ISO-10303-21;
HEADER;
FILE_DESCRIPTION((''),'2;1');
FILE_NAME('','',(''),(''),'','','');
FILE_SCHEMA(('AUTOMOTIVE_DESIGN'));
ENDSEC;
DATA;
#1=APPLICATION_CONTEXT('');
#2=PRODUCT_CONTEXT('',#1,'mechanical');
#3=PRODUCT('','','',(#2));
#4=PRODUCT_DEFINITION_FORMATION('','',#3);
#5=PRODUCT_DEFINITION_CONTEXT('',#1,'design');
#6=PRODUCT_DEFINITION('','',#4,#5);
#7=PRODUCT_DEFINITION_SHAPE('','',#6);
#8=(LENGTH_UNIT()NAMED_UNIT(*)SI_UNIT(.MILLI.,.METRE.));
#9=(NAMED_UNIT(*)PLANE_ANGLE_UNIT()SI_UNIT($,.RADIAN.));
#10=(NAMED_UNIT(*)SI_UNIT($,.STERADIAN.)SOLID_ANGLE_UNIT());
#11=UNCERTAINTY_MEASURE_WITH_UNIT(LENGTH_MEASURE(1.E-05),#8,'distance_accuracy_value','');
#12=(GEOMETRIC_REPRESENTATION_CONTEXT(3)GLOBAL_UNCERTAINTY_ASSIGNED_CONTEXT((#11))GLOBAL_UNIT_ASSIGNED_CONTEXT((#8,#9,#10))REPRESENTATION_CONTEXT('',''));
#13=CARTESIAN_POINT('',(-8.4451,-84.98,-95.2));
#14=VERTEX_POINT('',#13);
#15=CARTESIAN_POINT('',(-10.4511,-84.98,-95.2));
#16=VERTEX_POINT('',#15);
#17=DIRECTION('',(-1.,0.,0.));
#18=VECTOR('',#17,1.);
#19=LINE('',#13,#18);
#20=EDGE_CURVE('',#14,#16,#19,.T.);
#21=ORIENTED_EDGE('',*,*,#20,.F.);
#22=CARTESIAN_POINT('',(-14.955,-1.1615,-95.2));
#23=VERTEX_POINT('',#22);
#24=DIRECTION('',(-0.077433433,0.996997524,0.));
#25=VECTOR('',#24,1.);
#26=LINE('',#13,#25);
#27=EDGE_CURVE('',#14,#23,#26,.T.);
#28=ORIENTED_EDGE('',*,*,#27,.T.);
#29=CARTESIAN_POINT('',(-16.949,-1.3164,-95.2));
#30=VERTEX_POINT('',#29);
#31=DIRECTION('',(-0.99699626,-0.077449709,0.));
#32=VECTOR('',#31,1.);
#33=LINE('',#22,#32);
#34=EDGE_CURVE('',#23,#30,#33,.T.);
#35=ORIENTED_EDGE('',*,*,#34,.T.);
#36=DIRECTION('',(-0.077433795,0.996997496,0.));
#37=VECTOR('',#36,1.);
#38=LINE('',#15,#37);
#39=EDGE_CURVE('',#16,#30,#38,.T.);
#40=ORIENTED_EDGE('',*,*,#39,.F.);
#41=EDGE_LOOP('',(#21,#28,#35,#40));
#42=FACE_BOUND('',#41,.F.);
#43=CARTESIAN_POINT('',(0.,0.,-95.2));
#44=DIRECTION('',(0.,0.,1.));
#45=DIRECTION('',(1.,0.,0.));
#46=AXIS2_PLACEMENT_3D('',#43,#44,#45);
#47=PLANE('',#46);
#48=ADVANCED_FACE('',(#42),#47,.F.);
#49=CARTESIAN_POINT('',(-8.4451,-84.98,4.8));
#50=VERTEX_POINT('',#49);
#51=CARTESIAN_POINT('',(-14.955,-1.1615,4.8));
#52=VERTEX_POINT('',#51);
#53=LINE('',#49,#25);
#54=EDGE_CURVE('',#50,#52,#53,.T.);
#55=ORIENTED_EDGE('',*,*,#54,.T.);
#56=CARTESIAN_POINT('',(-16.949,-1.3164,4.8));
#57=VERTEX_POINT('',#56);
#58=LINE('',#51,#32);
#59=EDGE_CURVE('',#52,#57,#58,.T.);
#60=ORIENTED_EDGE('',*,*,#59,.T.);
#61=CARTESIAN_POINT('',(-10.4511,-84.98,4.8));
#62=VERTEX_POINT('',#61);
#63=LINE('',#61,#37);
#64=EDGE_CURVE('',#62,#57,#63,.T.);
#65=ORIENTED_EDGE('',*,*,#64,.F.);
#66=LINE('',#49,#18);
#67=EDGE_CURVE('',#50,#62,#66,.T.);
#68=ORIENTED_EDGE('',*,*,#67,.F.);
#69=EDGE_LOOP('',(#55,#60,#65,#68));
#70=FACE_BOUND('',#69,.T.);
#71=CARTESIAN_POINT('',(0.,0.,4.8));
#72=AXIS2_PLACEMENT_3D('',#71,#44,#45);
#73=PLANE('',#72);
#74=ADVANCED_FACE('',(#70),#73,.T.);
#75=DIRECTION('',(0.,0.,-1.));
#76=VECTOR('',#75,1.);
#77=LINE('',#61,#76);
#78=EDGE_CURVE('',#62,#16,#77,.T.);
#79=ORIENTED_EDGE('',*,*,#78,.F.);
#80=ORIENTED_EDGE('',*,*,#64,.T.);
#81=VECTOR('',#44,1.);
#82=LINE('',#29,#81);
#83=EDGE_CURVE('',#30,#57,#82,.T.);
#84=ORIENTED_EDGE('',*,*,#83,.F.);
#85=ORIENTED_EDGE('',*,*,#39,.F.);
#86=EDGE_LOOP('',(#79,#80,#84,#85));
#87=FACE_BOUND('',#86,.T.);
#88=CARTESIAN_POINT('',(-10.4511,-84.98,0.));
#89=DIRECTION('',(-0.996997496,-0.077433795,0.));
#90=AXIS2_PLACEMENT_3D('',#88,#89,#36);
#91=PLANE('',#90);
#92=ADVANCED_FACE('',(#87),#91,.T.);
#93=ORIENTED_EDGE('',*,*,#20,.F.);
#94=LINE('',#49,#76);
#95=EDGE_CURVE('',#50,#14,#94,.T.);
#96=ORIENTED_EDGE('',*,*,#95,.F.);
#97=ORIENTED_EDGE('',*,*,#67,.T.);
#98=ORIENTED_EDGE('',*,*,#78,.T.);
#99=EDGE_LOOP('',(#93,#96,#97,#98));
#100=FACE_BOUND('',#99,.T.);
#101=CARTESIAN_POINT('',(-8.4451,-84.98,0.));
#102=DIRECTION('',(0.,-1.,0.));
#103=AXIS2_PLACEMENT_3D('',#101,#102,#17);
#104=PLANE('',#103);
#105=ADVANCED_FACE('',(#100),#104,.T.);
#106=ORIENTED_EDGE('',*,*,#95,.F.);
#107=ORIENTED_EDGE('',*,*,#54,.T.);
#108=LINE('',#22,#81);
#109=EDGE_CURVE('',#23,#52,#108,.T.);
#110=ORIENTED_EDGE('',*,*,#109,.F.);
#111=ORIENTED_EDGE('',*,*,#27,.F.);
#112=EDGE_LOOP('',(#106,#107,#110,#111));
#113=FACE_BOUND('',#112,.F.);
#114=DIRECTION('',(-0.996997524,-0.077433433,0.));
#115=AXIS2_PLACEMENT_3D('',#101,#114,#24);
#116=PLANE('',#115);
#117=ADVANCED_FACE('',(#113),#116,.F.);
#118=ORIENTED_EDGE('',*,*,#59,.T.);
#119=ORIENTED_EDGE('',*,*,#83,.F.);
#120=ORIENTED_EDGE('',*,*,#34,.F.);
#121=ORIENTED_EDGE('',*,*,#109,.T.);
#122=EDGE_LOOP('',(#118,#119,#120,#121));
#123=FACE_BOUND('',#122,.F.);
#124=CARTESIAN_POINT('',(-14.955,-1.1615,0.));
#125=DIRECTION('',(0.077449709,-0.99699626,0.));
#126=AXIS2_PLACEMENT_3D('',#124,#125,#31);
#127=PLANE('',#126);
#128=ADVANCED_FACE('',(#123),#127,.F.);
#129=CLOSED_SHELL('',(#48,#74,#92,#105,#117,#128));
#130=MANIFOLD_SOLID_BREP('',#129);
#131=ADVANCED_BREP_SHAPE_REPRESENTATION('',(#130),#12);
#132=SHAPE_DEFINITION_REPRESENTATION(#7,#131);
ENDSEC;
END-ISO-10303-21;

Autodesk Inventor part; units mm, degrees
ref_plane "YZ Plane" through (0, 0, 0) normal (1, 0, 0) x (0, 1, 0)
ref_plane "XZ Plane" through (0, 0, 0) normal (0, 1, 0) x (-1, 0, 0)
ref_plane "XY Plane" through (0, 0, 0) normal (0, 0, 1) x (1, 0, 0)
sketch "Szkic1" plane through (0, 0, 0) normal (0, 0, 1) x (1, 0, 0)
  circle A0 centre (0, 0) radius 15 projected
  line L0 (-8.4451, -84.98) -> (-14.955, -1.1615)
  line L1 (-10.4511, -84.98) -> (-16.949, -1.3164)
  line L2 (-8.4451, -84.98) -> (-10.4511, -84.98)
  line L3 (-14.955, -1.1615) -> (-16.949, -1.3164)
  line L4 (-8.4451, -84.98) -> (-16.1884, 14.7198)
  line L5 (-16.1884, 14.7198) -> (19.05, 17.4566)
  line L6 (0, 0) -> (-1.2334, 15.8813)
  line L7 (-1.1615, 14.955) -> (-1.2334, 15.8813)
  point P0 (0, 0)
  dimension "d0" = 2
  dimension "d1" = 100
extrude "Wyciągnięcie proste1" add sketch "Szkic1" along normal blind 4.8 and the other way blind 95.2 contours L0 L2 L1 L3
properties part number "szkic"
